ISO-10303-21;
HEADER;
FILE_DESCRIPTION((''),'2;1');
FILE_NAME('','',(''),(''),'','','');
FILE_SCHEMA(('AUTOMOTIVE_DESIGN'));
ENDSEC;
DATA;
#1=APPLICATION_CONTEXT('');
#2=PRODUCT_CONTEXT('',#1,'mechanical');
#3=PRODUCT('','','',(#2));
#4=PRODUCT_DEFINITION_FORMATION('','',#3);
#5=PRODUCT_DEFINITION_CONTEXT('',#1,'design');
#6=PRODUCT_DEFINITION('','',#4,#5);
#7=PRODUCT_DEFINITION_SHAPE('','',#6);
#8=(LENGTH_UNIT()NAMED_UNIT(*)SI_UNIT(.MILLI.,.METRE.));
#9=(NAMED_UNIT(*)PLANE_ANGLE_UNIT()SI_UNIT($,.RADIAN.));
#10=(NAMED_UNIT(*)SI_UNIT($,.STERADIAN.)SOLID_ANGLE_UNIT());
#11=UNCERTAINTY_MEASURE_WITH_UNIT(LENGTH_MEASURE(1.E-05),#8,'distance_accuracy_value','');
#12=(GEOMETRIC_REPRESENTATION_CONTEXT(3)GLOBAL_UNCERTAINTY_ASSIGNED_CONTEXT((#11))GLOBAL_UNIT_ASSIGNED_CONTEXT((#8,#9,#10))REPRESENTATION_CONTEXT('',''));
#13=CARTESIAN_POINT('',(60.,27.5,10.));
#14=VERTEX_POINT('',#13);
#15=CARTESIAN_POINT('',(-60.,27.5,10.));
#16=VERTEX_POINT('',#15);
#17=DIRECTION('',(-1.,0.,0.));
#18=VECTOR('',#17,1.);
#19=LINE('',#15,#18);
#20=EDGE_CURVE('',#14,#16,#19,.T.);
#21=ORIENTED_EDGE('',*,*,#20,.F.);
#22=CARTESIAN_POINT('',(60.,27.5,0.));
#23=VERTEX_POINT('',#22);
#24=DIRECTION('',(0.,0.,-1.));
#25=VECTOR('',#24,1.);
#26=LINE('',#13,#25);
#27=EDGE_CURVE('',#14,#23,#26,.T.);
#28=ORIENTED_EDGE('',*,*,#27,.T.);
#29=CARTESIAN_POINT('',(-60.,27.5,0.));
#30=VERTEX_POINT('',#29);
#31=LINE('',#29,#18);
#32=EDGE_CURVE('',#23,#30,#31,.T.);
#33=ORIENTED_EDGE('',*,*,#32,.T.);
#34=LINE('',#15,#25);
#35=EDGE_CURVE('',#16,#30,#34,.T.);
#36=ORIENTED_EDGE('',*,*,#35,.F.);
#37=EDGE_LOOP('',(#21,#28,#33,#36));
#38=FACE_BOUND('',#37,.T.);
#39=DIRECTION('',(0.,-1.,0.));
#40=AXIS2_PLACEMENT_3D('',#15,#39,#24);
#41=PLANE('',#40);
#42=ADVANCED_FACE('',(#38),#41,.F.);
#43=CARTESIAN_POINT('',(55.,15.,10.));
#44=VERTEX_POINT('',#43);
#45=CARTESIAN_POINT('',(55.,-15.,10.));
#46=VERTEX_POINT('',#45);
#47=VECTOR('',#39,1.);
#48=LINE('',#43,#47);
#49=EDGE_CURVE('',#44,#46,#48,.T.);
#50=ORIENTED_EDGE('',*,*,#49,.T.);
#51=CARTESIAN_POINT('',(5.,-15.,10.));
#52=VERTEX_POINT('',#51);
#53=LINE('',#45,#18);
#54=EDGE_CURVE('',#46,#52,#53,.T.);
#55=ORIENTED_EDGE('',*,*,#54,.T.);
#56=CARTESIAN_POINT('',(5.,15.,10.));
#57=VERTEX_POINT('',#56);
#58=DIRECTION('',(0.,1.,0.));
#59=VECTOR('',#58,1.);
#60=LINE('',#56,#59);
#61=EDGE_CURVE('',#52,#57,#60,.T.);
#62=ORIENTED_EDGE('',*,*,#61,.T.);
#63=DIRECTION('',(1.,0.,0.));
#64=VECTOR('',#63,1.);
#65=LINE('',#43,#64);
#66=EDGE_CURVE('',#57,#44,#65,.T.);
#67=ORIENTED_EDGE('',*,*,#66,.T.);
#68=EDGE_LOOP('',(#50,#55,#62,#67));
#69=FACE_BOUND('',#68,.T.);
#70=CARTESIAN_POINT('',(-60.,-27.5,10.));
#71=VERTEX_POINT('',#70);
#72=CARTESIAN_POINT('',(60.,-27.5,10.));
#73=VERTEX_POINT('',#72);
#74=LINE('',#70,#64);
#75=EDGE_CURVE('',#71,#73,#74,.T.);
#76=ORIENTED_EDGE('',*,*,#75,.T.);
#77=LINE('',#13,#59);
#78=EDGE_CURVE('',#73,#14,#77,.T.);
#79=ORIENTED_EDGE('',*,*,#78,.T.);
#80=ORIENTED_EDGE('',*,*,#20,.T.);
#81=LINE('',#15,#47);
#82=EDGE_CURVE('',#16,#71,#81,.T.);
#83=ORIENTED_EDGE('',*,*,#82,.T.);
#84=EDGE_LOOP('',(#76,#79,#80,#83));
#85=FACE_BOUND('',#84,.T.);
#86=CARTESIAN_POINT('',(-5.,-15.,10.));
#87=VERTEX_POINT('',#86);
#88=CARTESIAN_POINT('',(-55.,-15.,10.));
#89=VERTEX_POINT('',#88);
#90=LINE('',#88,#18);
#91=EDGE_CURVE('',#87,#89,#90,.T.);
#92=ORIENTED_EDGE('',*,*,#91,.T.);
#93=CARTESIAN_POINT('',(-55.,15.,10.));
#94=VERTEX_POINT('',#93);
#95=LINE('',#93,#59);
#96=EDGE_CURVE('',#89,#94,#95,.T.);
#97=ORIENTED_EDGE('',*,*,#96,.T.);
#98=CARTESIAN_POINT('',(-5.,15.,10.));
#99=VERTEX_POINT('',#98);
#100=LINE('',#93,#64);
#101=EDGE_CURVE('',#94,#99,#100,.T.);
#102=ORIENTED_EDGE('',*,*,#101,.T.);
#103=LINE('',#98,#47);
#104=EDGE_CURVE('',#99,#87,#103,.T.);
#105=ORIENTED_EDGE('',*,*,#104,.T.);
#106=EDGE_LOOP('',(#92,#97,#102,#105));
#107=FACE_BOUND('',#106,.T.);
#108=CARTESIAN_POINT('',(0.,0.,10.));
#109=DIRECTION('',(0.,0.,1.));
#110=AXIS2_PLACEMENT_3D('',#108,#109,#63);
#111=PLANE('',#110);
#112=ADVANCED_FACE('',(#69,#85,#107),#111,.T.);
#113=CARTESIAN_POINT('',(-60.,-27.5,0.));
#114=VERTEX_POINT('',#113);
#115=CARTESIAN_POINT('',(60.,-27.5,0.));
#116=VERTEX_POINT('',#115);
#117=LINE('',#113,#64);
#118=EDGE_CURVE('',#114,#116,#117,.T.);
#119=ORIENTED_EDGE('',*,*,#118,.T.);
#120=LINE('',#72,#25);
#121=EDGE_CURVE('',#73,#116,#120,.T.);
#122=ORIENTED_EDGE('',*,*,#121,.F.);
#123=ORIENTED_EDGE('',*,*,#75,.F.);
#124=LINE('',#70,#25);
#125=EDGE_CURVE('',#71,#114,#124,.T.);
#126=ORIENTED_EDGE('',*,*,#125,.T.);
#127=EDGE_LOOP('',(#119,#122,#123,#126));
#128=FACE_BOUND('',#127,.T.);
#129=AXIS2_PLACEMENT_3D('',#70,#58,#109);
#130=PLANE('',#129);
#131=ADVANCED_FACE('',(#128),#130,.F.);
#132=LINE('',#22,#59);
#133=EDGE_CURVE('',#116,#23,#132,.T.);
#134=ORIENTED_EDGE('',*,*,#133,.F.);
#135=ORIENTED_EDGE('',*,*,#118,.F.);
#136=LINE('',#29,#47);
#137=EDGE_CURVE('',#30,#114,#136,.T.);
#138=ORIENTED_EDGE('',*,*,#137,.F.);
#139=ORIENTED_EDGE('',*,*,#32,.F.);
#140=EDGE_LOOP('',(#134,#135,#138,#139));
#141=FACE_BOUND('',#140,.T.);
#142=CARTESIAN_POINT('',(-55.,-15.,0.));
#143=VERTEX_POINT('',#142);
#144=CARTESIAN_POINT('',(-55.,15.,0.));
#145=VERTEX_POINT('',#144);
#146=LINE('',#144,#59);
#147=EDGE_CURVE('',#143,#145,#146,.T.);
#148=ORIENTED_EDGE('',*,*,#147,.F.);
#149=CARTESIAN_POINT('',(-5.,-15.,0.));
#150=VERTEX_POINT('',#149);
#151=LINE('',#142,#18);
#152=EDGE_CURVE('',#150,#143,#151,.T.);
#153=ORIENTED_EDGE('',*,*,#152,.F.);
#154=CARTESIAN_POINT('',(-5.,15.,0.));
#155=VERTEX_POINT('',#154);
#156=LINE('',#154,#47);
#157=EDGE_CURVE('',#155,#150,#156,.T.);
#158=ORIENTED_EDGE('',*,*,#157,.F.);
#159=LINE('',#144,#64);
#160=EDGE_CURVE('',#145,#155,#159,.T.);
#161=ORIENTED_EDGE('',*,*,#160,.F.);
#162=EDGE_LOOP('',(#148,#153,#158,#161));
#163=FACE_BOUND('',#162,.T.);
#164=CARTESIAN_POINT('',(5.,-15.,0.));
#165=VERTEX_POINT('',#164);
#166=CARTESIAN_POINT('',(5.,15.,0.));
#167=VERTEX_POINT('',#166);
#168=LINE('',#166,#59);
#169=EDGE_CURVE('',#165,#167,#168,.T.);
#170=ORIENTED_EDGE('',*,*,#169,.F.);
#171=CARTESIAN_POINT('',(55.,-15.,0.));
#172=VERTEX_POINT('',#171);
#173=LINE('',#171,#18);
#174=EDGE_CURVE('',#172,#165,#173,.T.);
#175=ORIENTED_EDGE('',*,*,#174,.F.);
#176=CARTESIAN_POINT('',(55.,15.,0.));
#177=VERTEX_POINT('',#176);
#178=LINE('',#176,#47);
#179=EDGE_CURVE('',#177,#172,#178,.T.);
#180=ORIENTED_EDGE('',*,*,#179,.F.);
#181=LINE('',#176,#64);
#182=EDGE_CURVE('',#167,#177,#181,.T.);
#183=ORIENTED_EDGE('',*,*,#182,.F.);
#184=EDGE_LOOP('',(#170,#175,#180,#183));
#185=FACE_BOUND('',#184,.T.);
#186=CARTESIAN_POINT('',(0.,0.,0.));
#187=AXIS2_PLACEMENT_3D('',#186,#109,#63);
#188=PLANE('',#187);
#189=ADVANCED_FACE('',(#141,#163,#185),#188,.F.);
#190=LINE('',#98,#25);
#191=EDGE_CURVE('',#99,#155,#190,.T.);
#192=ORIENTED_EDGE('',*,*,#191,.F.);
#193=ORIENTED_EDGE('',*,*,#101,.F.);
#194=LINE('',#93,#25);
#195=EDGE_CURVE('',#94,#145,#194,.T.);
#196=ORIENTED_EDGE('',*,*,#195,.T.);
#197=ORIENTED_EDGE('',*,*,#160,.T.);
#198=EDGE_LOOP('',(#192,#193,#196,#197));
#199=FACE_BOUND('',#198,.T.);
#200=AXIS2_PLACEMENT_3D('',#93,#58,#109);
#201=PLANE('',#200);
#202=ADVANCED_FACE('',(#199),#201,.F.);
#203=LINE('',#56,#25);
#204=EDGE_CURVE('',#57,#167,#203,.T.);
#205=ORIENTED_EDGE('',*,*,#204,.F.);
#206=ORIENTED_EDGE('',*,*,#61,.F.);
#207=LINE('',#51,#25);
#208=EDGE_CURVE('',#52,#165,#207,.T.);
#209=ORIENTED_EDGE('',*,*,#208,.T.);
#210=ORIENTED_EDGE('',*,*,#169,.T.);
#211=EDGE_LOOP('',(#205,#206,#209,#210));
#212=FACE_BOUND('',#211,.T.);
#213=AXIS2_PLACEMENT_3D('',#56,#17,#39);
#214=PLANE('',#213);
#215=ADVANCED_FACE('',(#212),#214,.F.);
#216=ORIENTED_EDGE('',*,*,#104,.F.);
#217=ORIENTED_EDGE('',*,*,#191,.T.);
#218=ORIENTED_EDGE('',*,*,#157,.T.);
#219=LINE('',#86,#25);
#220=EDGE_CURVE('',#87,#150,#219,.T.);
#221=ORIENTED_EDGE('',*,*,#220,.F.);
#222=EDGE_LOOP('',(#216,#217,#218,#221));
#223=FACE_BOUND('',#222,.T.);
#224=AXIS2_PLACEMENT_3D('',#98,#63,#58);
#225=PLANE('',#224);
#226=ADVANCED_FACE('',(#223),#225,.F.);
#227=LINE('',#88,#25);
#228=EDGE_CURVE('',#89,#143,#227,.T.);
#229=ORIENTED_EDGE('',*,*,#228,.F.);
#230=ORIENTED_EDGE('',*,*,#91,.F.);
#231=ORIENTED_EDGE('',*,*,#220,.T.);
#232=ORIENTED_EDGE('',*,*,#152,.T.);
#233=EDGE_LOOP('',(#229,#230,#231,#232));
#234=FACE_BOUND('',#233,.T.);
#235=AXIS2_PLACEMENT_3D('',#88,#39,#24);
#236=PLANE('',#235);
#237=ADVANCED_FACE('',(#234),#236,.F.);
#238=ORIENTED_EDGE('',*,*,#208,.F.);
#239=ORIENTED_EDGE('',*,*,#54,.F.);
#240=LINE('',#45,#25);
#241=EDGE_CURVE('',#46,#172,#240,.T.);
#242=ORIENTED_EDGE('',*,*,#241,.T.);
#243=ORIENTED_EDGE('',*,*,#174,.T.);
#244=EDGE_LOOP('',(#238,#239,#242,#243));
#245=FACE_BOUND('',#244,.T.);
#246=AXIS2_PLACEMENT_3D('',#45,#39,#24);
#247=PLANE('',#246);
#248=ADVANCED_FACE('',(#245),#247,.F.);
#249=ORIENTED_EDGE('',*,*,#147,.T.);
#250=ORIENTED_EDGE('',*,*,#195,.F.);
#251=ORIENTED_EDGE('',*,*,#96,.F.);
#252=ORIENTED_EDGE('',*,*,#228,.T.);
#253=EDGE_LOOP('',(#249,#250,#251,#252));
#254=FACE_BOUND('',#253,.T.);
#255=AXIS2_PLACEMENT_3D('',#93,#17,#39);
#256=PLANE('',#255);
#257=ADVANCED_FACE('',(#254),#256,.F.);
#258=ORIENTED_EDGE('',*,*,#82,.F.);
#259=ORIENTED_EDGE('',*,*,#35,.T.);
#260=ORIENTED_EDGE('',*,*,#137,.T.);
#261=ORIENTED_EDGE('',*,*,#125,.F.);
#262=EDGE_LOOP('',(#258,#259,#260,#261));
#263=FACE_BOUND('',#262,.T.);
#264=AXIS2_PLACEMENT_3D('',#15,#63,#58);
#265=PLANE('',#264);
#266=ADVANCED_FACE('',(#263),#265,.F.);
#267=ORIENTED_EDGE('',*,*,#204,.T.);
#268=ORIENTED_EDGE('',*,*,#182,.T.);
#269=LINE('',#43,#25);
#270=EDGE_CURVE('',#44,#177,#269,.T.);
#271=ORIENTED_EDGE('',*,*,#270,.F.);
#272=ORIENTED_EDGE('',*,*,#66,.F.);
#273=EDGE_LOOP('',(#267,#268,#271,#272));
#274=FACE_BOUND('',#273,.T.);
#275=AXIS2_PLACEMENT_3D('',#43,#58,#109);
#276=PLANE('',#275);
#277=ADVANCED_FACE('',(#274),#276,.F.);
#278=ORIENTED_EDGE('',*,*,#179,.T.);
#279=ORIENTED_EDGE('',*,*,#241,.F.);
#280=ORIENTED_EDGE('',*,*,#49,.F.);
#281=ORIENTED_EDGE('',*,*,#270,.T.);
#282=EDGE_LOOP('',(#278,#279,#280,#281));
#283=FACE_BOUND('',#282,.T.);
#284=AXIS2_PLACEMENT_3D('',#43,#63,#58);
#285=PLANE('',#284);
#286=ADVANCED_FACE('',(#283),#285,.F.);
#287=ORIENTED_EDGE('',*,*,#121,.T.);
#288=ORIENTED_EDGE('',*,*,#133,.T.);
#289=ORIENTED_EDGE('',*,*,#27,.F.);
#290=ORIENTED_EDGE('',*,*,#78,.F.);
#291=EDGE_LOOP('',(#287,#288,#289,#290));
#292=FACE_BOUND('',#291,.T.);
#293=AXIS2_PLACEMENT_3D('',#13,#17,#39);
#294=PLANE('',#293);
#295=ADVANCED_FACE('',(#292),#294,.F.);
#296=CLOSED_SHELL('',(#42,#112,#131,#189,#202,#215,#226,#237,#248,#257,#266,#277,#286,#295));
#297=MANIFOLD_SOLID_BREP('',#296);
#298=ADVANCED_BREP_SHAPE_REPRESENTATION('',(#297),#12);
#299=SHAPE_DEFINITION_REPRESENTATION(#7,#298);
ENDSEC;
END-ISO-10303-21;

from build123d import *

# Parameters (mm, degrees)
SKETCH_1_W          = 120
SKETCH_1_H          = 55
EXTRUDE_1_DEPTH     = 10
SKETCH_2_W          = 50
SKETCH_2_H          = 30
CUT_EXTRUDE_1_DEPTH = 10


with BuildPart() as part:
    # 草圖1 → 填料-伸長1 (new body)
    with BuildSketch(Plane.XY):
        Rectangle(SKETCH_1_W, SKETCH_1_H)
    extrude(amount=EXTRUDE_1_DEPTH)

    # 草圖2 → 除料-伸長1 (cut)
    with BuildSketch(Plane(origin=(0, 0, 0), x_dir=(-1, 0, 0), z_dir=(0, 0, -1))):
        with Locations((-30, 0)):
            Rectangle(SKETCH_2_W, SKETCH_2_H)
        with Locations((30, 0)):
            Rectangle(SKETCH_2_W, SKETCH_2_H)
    extrude(amount=-CUT_EXTRUDE_1_DEPTH, mode=Mode.SUBTRACT)


solid = part.part
